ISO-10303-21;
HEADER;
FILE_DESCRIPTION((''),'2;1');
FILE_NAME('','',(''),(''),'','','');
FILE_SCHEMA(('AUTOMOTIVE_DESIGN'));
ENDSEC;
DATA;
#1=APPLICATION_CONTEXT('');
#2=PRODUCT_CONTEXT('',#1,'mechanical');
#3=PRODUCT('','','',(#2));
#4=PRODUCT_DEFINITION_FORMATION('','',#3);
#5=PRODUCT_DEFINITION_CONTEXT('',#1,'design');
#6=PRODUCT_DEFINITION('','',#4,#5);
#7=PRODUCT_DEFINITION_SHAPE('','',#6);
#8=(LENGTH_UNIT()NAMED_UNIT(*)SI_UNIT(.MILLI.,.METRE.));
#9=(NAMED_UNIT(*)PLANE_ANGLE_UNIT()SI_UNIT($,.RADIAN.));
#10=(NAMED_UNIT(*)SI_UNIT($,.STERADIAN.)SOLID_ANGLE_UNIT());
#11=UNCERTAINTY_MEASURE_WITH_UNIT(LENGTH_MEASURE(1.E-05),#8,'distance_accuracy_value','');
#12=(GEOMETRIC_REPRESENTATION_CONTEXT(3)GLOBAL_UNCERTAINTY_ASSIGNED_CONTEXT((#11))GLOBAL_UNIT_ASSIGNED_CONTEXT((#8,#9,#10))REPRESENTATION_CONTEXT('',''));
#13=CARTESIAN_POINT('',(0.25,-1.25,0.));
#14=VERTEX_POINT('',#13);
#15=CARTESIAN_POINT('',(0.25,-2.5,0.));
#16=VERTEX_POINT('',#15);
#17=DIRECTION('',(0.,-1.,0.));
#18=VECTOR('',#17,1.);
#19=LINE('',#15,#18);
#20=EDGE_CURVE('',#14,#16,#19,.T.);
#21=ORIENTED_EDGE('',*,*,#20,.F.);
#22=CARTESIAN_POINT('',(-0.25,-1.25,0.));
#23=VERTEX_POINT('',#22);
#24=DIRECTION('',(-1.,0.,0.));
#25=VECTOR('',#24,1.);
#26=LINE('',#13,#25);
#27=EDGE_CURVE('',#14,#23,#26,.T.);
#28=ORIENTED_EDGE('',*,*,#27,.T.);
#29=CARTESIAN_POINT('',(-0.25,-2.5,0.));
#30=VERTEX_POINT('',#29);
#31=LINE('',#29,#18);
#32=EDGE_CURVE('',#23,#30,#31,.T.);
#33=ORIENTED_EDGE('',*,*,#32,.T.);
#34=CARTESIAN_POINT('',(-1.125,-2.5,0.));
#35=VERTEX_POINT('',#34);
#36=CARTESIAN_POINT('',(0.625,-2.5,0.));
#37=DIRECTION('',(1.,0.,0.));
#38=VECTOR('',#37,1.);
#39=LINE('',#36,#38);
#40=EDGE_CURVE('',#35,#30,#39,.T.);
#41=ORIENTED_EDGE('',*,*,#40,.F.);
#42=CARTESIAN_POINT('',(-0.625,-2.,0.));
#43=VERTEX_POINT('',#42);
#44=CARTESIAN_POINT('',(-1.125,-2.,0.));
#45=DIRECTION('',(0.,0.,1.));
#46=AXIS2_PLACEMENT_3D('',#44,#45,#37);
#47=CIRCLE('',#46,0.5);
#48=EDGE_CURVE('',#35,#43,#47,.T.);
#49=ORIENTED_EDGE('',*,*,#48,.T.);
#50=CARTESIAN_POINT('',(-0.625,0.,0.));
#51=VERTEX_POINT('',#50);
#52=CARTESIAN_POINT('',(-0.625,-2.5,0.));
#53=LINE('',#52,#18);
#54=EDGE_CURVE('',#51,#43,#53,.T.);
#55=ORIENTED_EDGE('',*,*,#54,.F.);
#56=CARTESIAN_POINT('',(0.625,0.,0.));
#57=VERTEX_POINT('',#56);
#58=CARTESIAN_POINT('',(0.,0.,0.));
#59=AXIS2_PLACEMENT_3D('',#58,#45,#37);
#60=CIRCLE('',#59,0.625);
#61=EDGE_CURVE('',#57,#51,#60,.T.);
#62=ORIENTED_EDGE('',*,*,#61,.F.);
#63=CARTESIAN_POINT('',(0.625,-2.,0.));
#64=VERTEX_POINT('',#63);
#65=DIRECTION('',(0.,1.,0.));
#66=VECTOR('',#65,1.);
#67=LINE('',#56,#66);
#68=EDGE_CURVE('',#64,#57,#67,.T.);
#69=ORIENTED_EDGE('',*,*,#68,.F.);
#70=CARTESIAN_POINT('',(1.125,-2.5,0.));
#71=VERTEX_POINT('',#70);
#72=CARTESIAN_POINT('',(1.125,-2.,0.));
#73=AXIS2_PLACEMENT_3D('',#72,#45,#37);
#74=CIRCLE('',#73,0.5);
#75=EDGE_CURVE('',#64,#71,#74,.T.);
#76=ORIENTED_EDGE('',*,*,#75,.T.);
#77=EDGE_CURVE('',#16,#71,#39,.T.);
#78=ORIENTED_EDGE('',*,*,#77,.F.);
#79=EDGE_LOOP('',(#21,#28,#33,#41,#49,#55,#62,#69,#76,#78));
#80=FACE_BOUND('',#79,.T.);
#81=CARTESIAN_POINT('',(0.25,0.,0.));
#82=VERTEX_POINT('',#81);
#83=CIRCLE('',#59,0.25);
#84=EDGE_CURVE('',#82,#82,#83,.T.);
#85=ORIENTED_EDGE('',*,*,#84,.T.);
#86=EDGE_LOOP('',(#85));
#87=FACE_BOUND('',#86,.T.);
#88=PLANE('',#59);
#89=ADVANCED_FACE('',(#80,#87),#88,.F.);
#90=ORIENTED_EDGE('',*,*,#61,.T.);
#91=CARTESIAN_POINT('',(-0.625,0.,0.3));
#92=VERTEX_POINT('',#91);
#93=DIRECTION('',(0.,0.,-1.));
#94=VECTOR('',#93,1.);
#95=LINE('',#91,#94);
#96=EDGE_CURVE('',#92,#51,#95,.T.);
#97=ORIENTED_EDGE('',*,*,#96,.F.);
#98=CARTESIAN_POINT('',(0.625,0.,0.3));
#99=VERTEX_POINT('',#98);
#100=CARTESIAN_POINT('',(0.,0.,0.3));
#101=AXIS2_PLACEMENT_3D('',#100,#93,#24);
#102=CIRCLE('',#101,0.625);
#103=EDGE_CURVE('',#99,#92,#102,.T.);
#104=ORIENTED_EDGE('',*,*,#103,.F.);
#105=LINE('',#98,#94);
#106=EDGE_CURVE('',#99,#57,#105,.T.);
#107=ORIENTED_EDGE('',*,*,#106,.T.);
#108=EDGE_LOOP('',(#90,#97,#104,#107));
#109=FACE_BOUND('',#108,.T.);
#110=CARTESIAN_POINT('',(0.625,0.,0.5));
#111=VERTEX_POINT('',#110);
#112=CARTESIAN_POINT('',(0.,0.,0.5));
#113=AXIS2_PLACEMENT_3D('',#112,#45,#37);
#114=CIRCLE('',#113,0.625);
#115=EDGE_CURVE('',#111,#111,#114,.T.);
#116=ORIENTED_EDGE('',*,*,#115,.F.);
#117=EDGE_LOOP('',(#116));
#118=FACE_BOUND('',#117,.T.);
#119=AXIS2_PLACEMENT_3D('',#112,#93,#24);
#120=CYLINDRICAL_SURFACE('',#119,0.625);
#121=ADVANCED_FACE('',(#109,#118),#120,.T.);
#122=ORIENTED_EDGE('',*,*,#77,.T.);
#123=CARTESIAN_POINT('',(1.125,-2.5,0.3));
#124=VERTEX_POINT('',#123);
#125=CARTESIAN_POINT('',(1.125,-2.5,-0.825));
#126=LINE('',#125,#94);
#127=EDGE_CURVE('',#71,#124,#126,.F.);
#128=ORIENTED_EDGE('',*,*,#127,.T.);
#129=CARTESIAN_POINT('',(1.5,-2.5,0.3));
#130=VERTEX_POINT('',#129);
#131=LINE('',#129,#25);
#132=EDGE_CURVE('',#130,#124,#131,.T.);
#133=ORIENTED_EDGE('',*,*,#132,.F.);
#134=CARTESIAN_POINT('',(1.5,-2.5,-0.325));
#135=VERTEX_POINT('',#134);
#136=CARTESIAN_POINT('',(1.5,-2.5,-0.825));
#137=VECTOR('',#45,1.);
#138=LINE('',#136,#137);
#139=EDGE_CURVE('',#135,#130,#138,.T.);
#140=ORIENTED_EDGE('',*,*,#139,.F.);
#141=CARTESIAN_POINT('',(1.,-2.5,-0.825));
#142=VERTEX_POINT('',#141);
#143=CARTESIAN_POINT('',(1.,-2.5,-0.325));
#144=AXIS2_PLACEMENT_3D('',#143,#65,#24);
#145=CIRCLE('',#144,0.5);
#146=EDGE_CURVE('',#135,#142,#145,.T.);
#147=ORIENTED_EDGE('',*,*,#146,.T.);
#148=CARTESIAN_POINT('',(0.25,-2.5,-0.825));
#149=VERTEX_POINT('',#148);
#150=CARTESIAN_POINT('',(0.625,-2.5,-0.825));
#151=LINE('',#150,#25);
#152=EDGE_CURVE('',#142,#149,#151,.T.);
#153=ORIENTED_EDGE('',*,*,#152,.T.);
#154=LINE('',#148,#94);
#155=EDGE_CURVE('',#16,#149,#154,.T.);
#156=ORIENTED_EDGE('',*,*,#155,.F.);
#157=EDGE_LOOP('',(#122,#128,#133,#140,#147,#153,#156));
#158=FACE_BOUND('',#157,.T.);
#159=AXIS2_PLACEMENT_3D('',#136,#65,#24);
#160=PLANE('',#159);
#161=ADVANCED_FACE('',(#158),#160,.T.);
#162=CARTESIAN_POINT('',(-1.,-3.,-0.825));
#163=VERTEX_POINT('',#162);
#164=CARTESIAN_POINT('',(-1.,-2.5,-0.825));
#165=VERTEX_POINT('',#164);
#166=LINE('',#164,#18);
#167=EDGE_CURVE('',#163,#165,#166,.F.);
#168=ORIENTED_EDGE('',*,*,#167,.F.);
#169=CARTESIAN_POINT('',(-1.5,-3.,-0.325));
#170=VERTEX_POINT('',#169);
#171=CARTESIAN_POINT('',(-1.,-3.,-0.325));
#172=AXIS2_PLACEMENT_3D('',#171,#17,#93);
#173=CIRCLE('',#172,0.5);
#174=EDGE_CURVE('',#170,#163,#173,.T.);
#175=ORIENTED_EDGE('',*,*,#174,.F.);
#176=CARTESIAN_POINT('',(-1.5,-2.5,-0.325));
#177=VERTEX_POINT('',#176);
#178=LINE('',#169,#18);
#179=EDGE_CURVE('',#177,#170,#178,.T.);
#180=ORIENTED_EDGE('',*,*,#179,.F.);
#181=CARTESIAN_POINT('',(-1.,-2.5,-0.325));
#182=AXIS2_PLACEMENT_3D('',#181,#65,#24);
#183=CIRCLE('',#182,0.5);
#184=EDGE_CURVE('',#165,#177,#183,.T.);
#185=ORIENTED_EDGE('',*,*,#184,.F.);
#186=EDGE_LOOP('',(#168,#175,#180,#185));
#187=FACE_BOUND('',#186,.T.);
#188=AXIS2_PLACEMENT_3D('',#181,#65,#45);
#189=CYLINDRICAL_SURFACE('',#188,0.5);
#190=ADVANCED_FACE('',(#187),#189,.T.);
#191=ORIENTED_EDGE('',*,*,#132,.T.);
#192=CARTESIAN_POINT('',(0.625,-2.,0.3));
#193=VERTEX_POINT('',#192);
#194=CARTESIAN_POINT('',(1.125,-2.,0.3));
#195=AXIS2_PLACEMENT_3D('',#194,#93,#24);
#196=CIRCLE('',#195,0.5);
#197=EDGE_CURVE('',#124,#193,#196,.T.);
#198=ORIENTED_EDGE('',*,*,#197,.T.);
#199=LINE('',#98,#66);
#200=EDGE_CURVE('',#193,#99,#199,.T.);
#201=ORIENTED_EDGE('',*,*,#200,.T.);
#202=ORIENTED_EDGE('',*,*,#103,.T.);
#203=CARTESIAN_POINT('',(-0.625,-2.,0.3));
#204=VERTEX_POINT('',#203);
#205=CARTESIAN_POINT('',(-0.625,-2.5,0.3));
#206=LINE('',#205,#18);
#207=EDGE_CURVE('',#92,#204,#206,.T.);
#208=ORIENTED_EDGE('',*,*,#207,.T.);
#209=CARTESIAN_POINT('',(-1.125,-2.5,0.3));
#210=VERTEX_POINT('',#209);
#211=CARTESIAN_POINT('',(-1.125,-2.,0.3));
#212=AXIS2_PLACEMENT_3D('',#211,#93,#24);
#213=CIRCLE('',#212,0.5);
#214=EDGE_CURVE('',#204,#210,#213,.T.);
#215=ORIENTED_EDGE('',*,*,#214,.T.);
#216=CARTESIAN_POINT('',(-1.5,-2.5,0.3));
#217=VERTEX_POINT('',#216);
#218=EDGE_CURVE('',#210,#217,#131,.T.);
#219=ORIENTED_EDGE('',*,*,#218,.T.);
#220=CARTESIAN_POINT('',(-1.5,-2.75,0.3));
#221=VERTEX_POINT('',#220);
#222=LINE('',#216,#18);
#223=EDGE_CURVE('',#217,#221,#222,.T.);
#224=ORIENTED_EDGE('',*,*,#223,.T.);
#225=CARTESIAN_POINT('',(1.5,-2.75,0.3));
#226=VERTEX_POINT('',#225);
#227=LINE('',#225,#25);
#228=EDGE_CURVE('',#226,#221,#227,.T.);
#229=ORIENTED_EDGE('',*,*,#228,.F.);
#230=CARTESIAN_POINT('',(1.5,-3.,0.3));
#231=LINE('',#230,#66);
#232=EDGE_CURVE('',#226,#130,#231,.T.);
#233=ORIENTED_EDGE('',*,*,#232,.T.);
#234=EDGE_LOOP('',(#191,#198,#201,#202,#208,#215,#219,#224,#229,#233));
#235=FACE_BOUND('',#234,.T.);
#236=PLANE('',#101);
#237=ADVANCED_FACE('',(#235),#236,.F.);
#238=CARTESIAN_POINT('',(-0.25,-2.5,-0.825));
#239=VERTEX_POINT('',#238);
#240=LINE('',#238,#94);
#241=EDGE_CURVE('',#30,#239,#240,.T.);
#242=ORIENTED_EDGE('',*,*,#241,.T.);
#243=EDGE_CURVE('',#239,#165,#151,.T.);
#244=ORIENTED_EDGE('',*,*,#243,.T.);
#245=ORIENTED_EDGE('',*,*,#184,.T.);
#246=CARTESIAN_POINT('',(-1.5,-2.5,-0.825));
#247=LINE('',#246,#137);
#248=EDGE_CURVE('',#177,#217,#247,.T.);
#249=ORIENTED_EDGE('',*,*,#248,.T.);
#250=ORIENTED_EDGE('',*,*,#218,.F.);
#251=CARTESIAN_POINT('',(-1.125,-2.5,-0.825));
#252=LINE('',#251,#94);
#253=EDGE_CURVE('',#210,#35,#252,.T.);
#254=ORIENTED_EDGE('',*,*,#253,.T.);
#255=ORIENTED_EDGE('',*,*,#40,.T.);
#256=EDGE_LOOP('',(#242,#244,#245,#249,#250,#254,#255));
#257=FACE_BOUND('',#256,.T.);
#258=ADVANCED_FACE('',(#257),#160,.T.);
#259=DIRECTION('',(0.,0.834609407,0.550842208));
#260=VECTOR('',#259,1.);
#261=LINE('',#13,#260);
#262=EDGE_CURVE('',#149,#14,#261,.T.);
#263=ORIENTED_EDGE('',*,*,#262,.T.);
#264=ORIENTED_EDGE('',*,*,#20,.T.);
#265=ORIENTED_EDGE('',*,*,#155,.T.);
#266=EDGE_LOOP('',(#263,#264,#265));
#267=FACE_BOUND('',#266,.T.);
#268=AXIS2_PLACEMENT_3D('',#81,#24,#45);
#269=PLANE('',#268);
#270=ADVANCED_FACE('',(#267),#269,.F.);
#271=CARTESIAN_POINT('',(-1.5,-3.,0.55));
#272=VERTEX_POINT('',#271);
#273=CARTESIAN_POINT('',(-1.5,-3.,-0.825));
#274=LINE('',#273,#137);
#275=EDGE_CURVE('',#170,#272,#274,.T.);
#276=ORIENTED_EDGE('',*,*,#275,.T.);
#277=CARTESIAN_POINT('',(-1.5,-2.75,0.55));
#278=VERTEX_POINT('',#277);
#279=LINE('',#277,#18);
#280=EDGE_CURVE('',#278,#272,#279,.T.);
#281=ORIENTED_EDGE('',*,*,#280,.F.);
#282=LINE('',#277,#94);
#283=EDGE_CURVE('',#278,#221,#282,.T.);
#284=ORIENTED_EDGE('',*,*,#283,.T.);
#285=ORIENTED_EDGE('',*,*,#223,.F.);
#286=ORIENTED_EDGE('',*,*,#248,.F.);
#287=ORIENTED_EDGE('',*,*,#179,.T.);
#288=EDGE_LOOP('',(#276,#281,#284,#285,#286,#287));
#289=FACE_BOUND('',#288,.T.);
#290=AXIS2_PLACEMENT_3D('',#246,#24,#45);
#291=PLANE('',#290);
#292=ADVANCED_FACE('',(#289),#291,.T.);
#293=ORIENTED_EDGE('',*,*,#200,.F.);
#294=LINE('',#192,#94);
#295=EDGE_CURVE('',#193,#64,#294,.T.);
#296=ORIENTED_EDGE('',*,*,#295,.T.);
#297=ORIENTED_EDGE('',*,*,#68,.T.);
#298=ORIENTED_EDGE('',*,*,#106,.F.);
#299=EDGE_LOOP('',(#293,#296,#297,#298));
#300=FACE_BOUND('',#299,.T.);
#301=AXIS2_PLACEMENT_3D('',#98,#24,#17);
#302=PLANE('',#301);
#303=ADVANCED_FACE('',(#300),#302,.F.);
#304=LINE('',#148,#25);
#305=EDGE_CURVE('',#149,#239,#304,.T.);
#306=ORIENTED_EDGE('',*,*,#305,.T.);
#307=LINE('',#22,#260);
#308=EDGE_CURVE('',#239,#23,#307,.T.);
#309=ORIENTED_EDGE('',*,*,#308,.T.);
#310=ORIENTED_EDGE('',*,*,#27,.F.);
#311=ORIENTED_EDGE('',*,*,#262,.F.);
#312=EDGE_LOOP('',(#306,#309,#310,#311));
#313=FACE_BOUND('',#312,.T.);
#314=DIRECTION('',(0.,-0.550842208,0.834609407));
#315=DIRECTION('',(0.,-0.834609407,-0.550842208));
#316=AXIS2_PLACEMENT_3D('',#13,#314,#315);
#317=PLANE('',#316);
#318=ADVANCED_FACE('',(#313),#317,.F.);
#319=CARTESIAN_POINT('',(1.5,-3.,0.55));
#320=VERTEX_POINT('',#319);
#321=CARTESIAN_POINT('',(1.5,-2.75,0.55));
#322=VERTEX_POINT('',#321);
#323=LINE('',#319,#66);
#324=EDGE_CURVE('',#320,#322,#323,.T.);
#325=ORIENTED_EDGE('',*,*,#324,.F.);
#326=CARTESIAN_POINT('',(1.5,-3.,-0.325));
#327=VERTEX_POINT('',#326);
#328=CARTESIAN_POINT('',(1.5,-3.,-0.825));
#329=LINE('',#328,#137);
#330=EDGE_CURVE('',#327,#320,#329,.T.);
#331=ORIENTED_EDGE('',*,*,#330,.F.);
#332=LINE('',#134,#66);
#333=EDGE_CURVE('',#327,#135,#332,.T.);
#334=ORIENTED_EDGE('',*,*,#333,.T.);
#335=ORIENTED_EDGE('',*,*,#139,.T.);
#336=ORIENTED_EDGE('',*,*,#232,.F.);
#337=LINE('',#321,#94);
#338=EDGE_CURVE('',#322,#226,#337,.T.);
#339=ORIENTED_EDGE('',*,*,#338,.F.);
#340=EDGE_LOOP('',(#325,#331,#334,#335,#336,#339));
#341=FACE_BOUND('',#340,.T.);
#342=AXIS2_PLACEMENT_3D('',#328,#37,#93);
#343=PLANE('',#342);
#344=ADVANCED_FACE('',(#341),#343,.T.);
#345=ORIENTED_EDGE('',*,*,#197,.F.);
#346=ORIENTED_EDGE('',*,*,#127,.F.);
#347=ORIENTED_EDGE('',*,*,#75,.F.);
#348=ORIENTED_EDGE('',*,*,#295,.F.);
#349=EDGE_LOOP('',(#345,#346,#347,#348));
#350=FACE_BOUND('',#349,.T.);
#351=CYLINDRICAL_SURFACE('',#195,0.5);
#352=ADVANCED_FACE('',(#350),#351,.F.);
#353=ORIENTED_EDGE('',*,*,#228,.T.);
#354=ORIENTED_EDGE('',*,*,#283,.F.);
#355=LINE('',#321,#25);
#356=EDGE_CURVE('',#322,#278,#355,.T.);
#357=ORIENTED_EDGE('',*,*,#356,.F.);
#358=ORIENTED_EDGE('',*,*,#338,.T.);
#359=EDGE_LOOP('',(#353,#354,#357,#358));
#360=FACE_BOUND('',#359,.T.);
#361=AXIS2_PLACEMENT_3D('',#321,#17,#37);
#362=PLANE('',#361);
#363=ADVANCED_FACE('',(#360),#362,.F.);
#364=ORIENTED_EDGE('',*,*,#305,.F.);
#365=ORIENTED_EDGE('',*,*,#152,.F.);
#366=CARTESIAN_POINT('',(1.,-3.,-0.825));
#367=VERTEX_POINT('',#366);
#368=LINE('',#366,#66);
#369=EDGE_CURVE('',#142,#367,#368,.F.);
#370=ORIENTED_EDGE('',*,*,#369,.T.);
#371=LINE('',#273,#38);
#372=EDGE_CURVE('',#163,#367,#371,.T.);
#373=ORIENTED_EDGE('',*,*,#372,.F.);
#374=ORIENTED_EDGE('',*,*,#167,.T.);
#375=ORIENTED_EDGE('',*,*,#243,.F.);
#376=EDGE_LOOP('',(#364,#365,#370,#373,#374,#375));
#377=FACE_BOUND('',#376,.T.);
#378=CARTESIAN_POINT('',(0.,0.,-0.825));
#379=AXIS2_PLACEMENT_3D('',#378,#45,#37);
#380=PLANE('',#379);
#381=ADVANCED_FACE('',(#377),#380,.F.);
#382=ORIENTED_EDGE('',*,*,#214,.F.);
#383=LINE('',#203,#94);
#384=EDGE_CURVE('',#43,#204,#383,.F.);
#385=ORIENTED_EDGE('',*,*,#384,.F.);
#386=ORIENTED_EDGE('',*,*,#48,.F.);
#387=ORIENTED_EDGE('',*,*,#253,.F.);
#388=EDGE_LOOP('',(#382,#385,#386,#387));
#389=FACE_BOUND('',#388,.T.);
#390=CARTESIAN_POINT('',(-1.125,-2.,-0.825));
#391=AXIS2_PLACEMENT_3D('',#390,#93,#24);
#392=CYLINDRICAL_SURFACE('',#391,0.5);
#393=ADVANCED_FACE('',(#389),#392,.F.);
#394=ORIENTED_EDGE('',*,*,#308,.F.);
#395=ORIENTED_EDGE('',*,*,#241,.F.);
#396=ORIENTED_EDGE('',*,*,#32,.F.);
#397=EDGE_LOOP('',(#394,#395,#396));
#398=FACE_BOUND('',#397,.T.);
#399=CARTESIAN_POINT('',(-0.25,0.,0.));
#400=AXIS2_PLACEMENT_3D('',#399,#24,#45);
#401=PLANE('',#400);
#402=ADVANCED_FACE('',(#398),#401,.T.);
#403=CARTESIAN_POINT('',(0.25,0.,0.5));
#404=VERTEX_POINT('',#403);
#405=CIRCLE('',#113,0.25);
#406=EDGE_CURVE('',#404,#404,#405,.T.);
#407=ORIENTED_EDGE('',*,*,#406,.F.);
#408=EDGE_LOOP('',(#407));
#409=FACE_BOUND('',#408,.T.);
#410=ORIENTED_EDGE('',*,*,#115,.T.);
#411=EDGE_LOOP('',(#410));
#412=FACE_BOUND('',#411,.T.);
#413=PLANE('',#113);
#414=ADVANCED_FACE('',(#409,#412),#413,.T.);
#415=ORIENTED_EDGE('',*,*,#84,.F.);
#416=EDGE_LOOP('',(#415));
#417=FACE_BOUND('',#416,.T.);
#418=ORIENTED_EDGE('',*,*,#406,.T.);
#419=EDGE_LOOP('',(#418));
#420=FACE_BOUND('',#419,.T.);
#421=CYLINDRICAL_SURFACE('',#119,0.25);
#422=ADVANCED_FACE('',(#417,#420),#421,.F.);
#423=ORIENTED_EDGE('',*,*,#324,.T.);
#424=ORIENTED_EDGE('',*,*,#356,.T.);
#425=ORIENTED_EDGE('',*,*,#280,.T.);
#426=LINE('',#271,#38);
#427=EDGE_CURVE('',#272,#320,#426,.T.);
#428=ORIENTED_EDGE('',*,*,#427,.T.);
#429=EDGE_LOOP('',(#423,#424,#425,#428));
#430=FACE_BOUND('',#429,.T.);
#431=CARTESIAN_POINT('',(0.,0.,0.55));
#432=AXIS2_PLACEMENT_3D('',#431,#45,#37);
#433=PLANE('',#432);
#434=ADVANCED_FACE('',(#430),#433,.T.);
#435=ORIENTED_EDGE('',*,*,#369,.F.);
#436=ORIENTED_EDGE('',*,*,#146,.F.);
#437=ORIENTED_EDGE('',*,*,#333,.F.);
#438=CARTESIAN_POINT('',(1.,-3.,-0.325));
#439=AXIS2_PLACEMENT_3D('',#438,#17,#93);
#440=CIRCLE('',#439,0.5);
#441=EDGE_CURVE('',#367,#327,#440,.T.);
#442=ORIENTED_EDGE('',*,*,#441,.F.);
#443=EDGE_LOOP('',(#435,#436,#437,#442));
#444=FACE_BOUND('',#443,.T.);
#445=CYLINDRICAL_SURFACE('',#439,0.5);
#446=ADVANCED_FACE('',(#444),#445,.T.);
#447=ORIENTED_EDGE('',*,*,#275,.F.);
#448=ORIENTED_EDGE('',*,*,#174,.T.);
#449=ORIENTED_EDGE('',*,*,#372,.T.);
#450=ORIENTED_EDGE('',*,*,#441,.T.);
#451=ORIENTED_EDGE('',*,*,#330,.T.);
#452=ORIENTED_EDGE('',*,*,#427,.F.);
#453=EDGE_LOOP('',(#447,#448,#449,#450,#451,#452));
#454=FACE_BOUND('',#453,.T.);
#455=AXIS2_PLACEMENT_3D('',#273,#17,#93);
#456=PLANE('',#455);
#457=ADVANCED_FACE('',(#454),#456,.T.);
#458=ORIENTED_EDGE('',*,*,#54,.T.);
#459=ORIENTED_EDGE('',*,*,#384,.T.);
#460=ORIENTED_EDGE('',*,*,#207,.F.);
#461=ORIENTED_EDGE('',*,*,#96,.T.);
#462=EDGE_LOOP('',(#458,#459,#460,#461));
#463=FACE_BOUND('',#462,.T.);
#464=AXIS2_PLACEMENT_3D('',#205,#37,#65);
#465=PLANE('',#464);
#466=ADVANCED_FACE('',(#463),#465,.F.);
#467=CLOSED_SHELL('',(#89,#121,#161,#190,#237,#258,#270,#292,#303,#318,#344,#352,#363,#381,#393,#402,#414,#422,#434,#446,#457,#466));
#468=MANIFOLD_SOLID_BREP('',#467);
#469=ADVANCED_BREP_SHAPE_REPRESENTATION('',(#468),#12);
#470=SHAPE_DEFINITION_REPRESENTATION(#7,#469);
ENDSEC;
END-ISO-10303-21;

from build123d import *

# Parameters (mm, degrees)
SKETCH1_R           = 0.625
SKETCH1_R_2         = 0.25
BOSS_EXTRUDE1_DEPTH = 0.5
SKETCH2_W           = 1.25
SKETCH2_H           = 2.5
BOSS_EXTRUDE2_DEPTH = 0.3
BOSS_EXTRUDE3_DEPTH = 1.125
SKETCH4_W           = 3
SKETCH4_H           = 0.25
BOSS_EXTRUDE4_DEPTH = 0.25
SKETCH6_R           = 0.25
CUT_EXTRUDE1_DEPTH  = 0.3
FILLET1_R           = 0.5
BOSS_EXTRUDE5_DEPTH = 0.25
FILLET2_R           = 0.5


with BuildPart() as part:
    # Sketch1 → Boss-Extrude1 (new body)
    with BuildSketch(Plane.XY):
        Circle(SKETCH1_R)
        Circle(SKETCH1_R_2, mode=Mode.SUBTRACT)
    extrude(amount=BOSS_EXTRUDE1_DEPTH)

    # Sketch2 → Boss-Extrude2 (add)
    with BuildSketch(Plane.XY):
        with Locations((0, -1.25)):
            Rectangle(SKETCH2_W, SKETCH2_H)
    extrude(amount=BOSS_EXTRUDE2_DEPTH)

    # Sketch3 → Boss-Extrude3 (add)
    with BuildSketch(Plane.XY.offset(0.3)):
        Polygon((0, -2.5), (-0.625, -2.5), (-1.5, -2.5), (-1.5, -3), (1.5, -3), (1.5, -2.5), (0.625, -2.5), align=None)
    extrude(amount=-BOSS_EXTRUDE3_DEPTH)

    # Sketch4 → Boss-Extrude4 (add)
    with BuildSketch(Plane.XY.offset(0.3)):
        with Locations((0, -2.875)):
            Rectangle(SKETCH4_W, SKETCH4_H)
    extrude(amount=BOSS_EXTRUDE4_DEPTH)

    # Sketch6 → Cut-Extrude1 (cut)
    with BuildSketch(Plane.XY.offset(0.3)):
        Circle(SKETCH6_R)
    extrude(amount=-CUT_EXTRUDE1_DEPTH, mode=Mode.SUBTRACT)

    # Fillet1
    fillet1_edges = [part.edges().sort_by_distance(p)[0] for p in [
        (-0.625, -2.5, 0.15),
        (0.625, -2.5, 0.15),
    ]]
    fillet(fillet1_edges, radius=FILLET1_R)

    # Sketch7 → Boss-Extrude5 (add, symmetric)
    with BuildSketch(Plane(origin=(0, 0, 0), x_dir=(0, 0, -1), z_dir=(1, 0, 0))):
        Polygon((0, -2.5), (0, -1.25), (0.825, -2.5), align=None)
    extrude(amount=BOSS_EXTRUDE5_DEPTH, both=True)

    # Fillet2
    fillet2_edges = [part.edges().sort_by_distance(p)[0] for p in [
        (1.5, -2.75, -0.825),
        (-1.5, -2.75, -0.825),
    ]]
    fillet(fillet2_edges, radius=FILLET2_R)


solid = part.part
